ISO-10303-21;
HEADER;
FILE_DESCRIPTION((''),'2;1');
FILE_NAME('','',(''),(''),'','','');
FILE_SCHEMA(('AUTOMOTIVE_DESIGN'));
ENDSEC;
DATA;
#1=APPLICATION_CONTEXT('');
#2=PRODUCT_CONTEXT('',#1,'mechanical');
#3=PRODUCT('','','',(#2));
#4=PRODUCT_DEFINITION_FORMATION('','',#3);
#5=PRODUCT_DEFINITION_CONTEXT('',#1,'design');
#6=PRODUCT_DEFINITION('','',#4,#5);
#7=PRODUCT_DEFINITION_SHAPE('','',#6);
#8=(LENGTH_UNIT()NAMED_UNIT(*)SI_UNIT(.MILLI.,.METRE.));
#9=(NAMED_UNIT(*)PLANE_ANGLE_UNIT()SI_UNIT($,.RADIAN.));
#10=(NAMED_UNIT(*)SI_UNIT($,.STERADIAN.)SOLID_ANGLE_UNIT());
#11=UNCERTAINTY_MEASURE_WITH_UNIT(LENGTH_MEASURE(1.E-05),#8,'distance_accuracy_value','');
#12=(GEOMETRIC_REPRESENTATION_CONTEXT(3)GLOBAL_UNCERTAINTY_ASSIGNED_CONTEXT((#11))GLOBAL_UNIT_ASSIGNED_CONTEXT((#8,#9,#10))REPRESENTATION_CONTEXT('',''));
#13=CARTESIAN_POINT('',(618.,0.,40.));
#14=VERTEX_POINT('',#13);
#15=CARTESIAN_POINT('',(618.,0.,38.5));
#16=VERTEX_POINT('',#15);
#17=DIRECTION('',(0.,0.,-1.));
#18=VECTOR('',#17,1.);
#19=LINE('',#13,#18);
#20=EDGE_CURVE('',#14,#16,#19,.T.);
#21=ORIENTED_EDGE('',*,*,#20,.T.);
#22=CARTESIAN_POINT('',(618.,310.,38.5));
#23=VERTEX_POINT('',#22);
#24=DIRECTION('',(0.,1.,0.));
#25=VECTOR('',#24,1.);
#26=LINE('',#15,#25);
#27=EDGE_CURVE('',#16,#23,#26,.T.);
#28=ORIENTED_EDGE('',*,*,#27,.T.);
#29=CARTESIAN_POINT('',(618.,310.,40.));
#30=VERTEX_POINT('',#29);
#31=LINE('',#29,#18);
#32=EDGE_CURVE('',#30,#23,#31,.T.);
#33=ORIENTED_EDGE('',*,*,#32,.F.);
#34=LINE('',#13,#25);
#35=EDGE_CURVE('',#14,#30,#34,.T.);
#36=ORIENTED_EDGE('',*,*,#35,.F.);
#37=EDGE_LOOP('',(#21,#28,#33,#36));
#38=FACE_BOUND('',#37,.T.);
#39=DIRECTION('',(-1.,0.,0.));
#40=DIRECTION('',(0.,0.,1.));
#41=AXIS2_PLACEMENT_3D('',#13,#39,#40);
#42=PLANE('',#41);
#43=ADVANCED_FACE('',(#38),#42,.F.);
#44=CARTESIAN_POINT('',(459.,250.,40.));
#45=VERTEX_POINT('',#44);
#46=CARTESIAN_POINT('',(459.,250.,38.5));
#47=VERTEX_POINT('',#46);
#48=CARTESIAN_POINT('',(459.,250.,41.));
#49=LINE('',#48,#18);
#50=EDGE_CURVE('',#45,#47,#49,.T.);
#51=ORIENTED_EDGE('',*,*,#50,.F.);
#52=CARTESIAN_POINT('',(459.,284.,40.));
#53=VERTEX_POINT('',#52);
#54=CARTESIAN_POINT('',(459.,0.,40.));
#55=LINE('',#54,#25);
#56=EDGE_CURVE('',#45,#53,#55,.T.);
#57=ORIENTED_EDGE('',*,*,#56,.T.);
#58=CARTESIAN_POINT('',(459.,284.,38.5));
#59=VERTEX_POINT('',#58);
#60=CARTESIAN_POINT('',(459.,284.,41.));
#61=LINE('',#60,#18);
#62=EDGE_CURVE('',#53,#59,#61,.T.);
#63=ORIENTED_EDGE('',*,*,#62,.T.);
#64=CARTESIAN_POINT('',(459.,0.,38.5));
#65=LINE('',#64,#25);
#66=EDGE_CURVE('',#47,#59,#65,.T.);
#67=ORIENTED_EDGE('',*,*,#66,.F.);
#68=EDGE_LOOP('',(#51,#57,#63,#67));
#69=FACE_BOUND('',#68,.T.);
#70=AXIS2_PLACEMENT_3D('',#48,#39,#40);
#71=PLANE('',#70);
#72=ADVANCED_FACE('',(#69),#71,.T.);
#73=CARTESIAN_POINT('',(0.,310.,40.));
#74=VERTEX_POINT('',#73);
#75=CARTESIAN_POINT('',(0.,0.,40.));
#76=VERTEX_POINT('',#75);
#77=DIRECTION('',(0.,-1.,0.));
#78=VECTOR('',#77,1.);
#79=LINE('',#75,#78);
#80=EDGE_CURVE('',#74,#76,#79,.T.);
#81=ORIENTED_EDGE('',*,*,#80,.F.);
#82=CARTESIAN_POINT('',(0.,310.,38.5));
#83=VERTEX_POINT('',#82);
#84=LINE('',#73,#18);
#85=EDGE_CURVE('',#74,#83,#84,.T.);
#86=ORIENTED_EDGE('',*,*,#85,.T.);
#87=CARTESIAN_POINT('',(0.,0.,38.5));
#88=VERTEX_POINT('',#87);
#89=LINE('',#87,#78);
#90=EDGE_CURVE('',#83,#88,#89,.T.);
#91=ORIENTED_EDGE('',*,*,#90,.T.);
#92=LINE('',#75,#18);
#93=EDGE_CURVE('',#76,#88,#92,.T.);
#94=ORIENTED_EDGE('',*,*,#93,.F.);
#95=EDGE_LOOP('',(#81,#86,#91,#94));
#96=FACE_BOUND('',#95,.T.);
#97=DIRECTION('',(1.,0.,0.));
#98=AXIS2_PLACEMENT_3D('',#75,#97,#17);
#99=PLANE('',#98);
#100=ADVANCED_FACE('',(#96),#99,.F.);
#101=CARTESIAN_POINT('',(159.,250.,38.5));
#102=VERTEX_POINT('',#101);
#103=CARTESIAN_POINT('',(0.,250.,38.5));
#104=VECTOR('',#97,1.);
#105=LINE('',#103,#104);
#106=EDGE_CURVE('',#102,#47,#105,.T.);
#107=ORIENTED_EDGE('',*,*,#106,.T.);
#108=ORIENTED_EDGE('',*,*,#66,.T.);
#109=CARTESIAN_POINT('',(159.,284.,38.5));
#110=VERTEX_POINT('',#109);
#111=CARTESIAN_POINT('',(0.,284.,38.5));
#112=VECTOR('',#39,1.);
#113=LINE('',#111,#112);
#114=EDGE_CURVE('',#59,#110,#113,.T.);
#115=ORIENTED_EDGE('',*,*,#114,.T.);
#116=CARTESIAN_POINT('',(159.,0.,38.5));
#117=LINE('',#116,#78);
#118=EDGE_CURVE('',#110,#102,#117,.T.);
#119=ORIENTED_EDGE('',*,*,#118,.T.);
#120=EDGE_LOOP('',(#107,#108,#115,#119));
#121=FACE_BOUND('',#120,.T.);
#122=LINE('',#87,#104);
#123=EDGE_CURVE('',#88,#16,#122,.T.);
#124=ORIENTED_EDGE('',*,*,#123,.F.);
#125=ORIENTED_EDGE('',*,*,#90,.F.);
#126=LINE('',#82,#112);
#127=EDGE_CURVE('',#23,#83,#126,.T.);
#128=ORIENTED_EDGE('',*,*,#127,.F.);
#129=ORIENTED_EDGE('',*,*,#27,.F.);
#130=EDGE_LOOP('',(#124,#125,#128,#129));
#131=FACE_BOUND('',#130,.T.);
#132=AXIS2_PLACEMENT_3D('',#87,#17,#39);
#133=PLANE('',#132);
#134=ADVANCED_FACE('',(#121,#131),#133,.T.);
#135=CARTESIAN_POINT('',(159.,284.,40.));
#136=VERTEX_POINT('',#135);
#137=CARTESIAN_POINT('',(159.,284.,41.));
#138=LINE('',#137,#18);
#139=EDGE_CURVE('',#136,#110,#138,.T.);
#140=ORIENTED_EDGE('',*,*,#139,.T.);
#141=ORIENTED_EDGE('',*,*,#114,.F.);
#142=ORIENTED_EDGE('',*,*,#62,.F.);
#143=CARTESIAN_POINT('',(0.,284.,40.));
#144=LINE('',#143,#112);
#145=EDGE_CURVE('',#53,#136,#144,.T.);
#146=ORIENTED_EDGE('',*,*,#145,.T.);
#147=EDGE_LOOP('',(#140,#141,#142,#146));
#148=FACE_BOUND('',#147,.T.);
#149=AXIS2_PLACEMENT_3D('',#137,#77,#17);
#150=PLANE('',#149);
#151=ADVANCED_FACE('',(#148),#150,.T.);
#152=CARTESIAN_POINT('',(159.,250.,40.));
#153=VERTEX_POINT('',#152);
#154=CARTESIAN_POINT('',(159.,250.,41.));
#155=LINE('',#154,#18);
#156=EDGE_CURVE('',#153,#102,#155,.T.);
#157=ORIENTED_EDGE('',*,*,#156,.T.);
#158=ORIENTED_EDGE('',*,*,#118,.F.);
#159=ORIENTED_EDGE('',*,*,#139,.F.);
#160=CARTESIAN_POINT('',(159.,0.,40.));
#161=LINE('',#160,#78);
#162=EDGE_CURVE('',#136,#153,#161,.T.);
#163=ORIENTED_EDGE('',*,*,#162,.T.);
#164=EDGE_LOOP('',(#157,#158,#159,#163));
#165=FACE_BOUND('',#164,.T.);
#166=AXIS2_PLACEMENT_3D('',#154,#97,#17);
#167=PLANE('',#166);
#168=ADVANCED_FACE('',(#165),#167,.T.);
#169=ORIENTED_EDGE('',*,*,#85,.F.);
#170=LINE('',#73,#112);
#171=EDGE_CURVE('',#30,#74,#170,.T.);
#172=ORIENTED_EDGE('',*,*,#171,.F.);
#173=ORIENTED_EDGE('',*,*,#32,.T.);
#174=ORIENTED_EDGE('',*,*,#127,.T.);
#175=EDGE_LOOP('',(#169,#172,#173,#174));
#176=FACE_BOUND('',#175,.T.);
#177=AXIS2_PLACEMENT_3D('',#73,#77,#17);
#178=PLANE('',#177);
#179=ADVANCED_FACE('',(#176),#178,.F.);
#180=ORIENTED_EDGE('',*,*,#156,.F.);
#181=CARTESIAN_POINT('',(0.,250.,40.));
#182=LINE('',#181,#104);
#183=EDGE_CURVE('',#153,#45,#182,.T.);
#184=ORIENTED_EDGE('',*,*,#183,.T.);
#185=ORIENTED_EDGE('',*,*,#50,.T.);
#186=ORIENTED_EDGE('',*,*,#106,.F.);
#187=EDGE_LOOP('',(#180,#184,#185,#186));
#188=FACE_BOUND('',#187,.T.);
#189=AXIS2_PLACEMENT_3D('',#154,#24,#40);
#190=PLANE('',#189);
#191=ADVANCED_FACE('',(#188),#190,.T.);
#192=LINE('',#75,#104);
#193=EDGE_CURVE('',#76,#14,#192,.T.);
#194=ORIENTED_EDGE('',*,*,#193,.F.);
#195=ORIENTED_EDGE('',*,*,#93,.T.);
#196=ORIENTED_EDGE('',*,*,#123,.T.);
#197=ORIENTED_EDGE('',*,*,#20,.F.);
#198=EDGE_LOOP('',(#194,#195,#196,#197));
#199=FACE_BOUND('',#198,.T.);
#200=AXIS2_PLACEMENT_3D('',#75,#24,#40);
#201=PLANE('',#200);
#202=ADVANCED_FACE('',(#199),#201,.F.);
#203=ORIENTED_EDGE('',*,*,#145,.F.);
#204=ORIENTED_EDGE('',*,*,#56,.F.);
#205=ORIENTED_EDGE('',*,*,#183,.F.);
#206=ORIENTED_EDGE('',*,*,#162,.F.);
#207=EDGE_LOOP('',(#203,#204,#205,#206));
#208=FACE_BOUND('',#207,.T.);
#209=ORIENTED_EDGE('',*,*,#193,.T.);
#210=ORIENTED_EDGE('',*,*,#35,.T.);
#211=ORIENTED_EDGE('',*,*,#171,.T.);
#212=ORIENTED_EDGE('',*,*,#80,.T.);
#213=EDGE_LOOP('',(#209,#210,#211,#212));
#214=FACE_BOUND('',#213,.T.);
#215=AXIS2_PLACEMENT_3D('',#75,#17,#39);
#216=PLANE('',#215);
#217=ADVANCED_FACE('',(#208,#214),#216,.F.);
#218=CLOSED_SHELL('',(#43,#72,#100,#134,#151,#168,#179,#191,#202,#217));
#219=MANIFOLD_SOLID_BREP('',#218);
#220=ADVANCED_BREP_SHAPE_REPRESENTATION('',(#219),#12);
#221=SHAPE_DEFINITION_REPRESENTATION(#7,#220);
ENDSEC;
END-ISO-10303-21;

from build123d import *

# Parameters (mm, degrees)
CEK_1L_ON_DIS_SAC_1_5_1_START = 38.5
SKETCH1_W                     = 618
SKETCH1_H                     = 310
CEK_1L_ON_DIS_SAC_1_5_1_DEPTH = 1.5
CEK_1L_ON_DIS_SAC_1_5_2_START = 27
SKETCH2_W                     = 300
SKETCH2_H                     = 34
CEK_1L_ON_DIS_SAC_1_5_2_DEPTH = 14


with BuildPart() as part:
    # Sketch1 → CEK_1L_on_dis_sac_1.5_1 (new body)
    with BuildSketch(Plane.XY.offset(CEK_1L_ON_DIS_SAC_1_5_1_START)):
        with Locations((309, 155)):
            Rectangle(SKETCH1_W, SKETCH1_H)
    extrude(amount=CEK_1L_ON_DIS_SAC_1_5_1_DEPTH)

    # Sketch2 → CEK_1L_on_dis_sac_1.5_2 (cut)
    with BuildSketch(Plane.XY.offset(CEK_1L_ON_DIS_SAC_1_5_2_START)):
        with Locations((309, 267)):
            Rectangle(SKETCH2_W, SKETCH2_H)
    extrude(amount=CEK_1L_ON_DIS_SAC_1_5_2_DEPTH, mode=Mode.SUBTRACT)


solid = part.part
